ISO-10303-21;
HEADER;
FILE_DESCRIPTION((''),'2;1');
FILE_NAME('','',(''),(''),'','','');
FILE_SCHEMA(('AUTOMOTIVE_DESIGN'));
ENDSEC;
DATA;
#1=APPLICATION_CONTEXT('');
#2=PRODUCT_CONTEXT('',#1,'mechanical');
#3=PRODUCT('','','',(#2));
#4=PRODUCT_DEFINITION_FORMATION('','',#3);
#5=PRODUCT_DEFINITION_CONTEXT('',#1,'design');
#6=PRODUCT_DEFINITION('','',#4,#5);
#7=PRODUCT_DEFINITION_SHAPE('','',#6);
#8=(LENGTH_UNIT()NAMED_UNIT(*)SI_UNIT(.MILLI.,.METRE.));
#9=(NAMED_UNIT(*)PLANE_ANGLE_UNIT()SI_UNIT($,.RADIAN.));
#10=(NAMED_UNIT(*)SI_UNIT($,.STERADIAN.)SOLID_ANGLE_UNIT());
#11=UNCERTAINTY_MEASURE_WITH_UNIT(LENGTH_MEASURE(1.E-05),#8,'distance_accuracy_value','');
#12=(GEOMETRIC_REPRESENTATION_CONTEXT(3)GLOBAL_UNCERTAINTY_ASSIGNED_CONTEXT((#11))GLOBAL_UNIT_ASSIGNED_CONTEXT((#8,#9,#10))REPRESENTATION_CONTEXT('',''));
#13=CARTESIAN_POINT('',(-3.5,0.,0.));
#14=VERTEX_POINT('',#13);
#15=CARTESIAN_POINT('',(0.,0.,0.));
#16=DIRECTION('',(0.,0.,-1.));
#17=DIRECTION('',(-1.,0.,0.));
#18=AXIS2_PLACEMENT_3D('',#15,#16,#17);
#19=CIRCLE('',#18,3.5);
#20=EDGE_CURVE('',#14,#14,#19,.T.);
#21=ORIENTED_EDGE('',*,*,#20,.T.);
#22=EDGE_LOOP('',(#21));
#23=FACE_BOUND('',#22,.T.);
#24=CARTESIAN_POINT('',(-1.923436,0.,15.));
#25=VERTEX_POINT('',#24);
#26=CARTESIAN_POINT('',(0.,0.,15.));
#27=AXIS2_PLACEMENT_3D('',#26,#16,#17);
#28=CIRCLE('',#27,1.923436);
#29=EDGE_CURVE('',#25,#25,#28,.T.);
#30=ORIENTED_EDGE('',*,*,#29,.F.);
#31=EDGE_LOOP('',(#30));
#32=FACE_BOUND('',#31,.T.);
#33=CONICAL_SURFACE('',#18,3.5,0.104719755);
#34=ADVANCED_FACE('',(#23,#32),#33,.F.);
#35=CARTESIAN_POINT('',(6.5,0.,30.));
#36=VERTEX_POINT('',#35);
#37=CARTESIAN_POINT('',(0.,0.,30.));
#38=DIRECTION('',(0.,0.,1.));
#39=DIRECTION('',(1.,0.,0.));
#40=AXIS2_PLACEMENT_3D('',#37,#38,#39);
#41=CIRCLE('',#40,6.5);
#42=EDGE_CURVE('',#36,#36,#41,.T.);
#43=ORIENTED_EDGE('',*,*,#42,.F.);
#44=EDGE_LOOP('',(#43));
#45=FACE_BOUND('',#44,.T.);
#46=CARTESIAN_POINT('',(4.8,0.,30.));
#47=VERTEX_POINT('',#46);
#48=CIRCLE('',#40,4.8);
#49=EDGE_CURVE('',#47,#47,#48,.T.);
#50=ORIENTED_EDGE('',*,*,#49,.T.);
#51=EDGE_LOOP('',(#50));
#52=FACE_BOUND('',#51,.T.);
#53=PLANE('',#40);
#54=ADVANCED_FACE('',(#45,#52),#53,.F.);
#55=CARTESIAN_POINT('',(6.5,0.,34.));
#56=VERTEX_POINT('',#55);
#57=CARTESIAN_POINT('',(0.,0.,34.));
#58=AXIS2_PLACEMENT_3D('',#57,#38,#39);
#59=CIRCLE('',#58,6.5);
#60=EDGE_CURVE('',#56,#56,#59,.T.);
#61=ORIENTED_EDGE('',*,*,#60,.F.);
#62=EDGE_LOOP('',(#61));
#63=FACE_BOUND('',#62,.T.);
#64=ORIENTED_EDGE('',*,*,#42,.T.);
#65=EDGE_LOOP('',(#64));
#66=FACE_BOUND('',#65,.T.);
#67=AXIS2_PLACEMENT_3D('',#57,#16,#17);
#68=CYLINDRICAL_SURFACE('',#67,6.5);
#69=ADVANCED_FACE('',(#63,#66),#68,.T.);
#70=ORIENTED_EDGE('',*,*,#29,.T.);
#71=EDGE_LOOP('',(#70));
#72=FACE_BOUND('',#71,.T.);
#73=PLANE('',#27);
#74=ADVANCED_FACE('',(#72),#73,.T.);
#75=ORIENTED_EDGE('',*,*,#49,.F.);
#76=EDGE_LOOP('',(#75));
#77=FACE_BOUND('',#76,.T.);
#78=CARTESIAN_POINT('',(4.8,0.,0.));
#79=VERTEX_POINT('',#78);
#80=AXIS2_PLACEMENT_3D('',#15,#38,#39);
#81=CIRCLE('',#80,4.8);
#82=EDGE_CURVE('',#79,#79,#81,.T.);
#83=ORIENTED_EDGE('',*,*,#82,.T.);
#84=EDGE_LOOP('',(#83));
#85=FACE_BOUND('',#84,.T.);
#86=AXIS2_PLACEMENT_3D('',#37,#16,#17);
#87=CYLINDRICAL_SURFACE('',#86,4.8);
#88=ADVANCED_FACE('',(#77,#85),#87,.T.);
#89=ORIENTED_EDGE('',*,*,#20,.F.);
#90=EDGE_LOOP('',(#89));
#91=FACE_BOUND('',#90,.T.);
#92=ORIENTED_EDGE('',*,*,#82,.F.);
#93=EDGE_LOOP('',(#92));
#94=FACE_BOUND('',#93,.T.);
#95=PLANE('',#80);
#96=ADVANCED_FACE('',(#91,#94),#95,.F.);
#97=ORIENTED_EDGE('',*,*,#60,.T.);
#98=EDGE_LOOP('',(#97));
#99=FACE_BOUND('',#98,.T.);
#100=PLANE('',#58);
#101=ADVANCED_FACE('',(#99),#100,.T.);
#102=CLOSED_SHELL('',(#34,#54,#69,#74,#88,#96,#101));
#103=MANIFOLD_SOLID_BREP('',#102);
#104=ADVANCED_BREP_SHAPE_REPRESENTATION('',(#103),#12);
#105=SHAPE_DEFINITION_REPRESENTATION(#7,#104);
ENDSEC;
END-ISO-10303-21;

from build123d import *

# Parameters (mm, degrees)
SKETCH1_R           = 4.8
BOSS_EXTRUDE1_DEPTH = 30
SKETCH2_R           = 6.5
BOSS_EXTRUDE2_DEPTH = 4
SKETCH3_R           = 3.5
CUT_EXTRUDE1_DEPTH  = 15
CUT_EXTRUDE1_DRAFT  = -6


with BuildPart() as part:
    # Sketch1 → Boss-Extrude1 (new body)
    with BuildSketch(Plane.XY):
        Circle(SKETCH1_R)
    extrude(amount=BOSS_EXTRUDE1_DEPTH)

    # Sketch2 → Boss-Extrude2 (add)
    with BuildSketch(Plane.XY.offset(30)):
        Circle(SKETCH2_R)
    extrude(amount=BOSS_EXTRUDE2_DEPTH)


with BuildPart() as cut_extrude1_tool:
    # Sketch3 → Cut-Extrude1 (with draft: the straight prism first)
    with BuildSketch(Plane(origin=(0, 0, 0), x_dir=(-1, 0, 0), z_dir=(0, 0, -1))):
        Circle(SKETCH3_R)
    extrude(amount=-CUT_EXTRUDE1_DEPTH)
    # Cut-Extrude1: the draft: its side faces are tilted about the plane it starts from
    cut_extrude1_sides = [cut_extrude1_tool.faces().sort_by_distance(p)[0] for p in [
        (3.5, 0, 7.5),
    ]]
    draft(cut_extrude1_sides, Plane(origin=(0, 0, 0), x_dir=(-1, 0, 0), z_dir=(0, 0, -1)), CUT_EXTRUDE1_DRAFT)


with BuildPart() as part_1:
    add(part.part)

    # Cut-Extrude1: cut by cut_extrude1_tool
    add(cut_extrude1_tool.part, mode=Mode.SUBTRACT)


solid = part_1.part
